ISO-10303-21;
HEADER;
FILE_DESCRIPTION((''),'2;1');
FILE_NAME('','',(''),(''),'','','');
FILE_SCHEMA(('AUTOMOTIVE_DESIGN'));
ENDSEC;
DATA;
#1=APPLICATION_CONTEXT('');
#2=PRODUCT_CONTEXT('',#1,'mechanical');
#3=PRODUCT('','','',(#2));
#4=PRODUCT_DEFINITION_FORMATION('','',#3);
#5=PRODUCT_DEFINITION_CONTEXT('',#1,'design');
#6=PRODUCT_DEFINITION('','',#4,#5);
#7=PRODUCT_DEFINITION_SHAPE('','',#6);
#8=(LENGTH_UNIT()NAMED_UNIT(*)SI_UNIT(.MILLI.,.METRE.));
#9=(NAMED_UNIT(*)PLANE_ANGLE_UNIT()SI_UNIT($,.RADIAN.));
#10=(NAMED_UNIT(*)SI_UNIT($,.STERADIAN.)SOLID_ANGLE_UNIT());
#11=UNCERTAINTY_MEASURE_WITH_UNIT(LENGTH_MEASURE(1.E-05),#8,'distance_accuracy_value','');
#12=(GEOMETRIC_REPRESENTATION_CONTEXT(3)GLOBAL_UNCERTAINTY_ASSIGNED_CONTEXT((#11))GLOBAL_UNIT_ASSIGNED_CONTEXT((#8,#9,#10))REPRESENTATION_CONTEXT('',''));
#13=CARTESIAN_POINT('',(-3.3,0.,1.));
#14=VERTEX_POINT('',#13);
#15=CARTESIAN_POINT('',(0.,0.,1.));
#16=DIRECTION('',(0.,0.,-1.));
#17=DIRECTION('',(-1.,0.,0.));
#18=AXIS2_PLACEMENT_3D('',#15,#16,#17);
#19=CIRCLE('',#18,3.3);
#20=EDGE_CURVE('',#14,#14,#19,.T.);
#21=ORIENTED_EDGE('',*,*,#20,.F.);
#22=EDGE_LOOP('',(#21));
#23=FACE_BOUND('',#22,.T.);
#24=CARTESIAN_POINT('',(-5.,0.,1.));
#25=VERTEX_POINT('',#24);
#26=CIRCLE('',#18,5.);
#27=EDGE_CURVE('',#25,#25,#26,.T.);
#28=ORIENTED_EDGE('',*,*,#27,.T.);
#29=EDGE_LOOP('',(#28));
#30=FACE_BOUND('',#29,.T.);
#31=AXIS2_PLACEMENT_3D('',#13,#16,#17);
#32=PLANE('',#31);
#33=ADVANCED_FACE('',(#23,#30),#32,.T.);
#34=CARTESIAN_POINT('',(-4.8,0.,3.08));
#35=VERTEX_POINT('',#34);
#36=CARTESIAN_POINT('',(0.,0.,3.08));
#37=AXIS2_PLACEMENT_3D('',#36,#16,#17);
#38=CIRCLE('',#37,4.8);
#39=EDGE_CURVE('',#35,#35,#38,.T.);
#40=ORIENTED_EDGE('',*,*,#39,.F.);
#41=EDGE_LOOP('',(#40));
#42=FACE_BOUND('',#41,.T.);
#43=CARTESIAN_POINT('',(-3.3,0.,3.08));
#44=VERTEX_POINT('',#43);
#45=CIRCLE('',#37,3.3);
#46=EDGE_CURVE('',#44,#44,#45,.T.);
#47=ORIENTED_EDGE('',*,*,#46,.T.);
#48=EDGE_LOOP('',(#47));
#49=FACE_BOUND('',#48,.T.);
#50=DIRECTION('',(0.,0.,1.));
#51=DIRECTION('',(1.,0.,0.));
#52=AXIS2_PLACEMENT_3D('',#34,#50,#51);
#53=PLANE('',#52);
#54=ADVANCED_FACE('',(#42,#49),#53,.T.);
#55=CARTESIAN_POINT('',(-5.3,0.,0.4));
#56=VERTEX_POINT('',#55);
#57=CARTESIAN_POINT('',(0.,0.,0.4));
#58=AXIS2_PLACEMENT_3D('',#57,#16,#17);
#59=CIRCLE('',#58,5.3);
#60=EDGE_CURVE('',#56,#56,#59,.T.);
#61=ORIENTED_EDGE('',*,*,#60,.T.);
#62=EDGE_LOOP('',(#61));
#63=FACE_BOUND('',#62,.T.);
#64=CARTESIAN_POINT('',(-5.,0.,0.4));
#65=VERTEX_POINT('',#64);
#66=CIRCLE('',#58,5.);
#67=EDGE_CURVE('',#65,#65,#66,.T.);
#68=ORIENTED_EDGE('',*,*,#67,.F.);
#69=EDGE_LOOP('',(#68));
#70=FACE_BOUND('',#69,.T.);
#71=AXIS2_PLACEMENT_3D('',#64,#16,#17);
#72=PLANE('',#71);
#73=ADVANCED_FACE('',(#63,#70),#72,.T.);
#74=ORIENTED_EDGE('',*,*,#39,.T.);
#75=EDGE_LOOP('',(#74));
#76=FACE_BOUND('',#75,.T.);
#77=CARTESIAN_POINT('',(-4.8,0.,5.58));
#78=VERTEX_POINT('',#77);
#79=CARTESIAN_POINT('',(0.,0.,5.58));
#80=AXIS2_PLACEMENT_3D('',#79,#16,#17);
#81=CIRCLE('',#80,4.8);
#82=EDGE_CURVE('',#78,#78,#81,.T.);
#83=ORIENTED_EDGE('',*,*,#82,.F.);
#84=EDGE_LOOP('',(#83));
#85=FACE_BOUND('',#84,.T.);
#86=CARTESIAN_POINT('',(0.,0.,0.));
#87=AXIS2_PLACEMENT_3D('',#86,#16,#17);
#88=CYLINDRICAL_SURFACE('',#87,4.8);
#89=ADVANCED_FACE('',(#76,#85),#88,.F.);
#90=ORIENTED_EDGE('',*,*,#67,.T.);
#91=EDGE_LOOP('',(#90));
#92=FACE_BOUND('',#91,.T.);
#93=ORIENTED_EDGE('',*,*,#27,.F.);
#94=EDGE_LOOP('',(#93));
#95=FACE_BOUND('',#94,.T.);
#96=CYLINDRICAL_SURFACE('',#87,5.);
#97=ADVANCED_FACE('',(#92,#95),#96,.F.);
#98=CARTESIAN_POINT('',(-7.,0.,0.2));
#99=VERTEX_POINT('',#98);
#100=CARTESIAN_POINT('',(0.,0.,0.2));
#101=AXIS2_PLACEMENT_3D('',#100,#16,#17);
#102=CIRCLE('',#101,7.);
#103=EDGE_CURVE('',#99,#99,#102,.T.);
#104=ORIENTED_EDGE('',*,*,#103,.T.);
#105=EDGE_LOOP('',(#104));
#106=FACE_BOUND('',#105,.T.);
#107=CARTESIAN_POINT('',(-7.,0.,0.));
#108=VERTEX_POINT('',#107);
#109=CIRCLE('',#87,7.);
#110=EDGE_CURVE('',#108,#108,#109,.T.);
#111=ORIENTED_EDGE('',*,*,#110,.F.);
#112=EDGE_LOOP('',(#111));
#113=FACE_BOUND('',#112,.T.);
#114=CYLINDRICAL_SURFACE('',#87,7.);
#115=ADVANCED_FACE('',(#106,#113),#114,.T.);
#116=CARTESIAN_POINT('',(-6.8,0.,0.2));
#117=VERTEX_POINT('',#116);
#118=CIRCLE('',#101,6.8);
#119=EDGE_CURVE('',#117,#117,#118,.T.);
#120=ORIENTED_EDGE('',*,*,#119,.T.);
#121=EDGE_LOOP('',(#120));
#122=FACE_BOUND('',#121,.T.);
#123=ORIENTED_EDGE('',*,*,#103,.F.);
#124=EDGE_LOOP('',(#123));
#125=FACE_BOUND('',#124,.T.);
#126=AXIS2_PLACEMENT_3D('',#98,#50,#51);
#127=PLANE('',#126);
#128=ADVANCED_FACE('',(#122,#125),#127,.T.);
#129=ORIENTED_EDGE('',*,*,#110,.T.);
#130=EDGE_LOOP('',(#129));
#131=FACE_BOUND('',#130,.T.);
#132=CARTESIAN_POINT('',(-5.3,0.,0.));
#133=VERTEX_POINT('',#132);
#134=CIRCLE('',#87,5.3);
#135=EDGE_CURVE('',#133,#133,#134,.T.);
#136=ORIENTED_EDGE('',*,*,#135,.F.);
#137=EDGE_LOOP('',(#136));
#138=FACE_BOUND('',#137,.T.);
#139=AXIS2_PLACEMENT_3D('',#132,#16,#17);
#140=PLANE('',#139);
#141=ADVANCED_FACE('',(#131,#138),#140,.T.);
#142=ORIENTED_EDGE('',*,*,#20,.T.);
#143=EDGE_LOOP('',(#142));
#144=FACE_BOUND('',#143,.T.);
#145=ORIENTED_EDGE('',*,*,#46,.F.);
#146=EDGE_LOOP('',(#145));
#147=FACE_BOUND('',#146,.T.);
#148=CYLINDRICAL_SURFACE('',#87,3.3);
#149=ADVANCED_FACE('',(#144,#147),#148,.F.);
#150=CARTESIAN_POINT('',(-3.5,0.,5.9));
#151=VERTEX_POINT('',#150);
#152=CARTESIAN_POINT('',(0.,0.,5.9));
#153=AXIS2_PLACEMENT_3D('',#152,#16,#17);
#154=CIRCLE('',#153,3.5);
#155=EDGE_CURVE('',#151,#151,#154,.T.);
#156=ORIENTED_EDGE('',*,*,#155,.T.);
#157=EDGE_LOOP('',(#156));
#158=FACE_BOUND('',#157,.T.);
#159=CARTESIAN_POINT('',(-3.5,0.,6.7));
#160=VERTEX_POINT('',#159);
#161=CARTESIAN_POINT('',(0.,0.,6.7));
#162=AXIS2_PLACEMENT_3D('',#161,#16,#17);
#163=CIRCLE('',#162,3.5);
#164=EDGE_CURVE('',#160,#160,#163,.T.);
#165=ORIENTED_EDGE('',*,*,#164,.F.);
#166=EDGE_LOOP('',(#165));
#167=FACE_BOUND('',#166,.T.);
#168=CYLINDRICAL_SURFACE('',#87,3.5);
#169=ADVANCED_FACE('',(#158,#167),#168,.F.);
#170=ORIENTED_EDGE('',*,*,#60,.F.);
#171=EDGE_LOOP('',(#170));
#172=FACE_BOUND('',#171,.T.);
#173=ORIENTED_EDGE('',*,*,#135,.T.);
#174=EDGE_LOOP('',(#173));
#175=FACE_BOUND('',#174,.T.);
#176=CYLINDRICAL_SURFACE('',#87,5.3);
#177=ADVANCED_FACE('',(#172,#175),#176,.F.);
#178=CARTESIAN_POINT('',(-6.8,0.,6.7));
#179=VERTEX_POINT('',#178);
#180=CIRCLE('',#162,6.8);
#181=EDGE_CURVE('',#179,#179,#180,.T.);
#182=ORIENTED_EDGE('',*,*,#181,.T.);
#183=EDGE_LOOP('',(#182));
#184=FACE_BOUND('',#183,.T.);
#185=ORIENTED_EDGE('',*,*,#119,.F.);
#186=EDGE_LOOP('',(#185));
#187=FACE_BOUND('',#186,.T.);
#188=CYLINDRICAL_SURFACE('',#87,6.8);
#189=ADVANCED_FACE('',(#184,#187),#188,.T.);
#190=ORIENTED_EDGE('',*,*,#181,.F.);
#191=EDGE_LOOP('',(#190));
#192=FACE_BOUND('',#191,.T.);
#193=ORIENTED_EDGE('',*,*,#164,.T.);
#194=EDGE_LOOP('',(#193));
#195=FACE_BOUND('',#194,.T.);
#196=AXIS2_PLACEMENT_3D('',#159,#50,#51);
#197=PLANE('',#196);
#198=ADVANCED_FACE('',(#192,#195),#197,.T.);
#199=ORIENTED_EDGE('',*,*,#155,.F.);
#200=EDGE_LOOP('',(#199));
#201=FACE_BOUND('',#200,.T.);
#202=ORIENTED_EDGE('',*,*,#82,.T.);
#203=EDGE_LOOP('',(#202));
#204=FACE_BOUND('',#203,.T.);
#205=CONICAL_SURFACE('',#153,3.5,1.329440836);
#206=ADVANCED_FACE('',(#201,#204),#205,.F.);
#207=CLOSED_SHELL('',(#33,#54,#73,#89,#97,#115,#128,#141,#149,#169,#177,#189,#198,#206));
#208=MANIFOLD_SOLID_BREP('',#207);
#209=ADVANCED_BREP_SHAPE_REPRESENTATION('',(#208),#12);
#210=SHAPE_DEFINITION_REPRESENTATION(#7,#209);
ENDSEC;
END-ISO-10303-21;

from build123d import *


with BuildPart() as part:
    # Sketch2 → Revolve1 (revolve)
    with BuildSketch(Plane(origin=(0, 0, 0), x_dir=(1, 0, 0), z_dir=(0, 1, 0))):
        Polygon((-3.5, -6.7), (-3.5, -5.9), (-4.8, -5.58), (-4.8, -3.08), (-3.3, -3.08), (-3.3, -1), (-5, -1), (-5, -0.4), (-5.3, -0.4), (-5.3, 0), (-7, 0), (-7, -0.2), (-6.8, -0.2), (-6.8, -6.7), align=None)
    revolve(axis=Axis((0, 0, 0), (0, 0, 1)))


solid = part.part
